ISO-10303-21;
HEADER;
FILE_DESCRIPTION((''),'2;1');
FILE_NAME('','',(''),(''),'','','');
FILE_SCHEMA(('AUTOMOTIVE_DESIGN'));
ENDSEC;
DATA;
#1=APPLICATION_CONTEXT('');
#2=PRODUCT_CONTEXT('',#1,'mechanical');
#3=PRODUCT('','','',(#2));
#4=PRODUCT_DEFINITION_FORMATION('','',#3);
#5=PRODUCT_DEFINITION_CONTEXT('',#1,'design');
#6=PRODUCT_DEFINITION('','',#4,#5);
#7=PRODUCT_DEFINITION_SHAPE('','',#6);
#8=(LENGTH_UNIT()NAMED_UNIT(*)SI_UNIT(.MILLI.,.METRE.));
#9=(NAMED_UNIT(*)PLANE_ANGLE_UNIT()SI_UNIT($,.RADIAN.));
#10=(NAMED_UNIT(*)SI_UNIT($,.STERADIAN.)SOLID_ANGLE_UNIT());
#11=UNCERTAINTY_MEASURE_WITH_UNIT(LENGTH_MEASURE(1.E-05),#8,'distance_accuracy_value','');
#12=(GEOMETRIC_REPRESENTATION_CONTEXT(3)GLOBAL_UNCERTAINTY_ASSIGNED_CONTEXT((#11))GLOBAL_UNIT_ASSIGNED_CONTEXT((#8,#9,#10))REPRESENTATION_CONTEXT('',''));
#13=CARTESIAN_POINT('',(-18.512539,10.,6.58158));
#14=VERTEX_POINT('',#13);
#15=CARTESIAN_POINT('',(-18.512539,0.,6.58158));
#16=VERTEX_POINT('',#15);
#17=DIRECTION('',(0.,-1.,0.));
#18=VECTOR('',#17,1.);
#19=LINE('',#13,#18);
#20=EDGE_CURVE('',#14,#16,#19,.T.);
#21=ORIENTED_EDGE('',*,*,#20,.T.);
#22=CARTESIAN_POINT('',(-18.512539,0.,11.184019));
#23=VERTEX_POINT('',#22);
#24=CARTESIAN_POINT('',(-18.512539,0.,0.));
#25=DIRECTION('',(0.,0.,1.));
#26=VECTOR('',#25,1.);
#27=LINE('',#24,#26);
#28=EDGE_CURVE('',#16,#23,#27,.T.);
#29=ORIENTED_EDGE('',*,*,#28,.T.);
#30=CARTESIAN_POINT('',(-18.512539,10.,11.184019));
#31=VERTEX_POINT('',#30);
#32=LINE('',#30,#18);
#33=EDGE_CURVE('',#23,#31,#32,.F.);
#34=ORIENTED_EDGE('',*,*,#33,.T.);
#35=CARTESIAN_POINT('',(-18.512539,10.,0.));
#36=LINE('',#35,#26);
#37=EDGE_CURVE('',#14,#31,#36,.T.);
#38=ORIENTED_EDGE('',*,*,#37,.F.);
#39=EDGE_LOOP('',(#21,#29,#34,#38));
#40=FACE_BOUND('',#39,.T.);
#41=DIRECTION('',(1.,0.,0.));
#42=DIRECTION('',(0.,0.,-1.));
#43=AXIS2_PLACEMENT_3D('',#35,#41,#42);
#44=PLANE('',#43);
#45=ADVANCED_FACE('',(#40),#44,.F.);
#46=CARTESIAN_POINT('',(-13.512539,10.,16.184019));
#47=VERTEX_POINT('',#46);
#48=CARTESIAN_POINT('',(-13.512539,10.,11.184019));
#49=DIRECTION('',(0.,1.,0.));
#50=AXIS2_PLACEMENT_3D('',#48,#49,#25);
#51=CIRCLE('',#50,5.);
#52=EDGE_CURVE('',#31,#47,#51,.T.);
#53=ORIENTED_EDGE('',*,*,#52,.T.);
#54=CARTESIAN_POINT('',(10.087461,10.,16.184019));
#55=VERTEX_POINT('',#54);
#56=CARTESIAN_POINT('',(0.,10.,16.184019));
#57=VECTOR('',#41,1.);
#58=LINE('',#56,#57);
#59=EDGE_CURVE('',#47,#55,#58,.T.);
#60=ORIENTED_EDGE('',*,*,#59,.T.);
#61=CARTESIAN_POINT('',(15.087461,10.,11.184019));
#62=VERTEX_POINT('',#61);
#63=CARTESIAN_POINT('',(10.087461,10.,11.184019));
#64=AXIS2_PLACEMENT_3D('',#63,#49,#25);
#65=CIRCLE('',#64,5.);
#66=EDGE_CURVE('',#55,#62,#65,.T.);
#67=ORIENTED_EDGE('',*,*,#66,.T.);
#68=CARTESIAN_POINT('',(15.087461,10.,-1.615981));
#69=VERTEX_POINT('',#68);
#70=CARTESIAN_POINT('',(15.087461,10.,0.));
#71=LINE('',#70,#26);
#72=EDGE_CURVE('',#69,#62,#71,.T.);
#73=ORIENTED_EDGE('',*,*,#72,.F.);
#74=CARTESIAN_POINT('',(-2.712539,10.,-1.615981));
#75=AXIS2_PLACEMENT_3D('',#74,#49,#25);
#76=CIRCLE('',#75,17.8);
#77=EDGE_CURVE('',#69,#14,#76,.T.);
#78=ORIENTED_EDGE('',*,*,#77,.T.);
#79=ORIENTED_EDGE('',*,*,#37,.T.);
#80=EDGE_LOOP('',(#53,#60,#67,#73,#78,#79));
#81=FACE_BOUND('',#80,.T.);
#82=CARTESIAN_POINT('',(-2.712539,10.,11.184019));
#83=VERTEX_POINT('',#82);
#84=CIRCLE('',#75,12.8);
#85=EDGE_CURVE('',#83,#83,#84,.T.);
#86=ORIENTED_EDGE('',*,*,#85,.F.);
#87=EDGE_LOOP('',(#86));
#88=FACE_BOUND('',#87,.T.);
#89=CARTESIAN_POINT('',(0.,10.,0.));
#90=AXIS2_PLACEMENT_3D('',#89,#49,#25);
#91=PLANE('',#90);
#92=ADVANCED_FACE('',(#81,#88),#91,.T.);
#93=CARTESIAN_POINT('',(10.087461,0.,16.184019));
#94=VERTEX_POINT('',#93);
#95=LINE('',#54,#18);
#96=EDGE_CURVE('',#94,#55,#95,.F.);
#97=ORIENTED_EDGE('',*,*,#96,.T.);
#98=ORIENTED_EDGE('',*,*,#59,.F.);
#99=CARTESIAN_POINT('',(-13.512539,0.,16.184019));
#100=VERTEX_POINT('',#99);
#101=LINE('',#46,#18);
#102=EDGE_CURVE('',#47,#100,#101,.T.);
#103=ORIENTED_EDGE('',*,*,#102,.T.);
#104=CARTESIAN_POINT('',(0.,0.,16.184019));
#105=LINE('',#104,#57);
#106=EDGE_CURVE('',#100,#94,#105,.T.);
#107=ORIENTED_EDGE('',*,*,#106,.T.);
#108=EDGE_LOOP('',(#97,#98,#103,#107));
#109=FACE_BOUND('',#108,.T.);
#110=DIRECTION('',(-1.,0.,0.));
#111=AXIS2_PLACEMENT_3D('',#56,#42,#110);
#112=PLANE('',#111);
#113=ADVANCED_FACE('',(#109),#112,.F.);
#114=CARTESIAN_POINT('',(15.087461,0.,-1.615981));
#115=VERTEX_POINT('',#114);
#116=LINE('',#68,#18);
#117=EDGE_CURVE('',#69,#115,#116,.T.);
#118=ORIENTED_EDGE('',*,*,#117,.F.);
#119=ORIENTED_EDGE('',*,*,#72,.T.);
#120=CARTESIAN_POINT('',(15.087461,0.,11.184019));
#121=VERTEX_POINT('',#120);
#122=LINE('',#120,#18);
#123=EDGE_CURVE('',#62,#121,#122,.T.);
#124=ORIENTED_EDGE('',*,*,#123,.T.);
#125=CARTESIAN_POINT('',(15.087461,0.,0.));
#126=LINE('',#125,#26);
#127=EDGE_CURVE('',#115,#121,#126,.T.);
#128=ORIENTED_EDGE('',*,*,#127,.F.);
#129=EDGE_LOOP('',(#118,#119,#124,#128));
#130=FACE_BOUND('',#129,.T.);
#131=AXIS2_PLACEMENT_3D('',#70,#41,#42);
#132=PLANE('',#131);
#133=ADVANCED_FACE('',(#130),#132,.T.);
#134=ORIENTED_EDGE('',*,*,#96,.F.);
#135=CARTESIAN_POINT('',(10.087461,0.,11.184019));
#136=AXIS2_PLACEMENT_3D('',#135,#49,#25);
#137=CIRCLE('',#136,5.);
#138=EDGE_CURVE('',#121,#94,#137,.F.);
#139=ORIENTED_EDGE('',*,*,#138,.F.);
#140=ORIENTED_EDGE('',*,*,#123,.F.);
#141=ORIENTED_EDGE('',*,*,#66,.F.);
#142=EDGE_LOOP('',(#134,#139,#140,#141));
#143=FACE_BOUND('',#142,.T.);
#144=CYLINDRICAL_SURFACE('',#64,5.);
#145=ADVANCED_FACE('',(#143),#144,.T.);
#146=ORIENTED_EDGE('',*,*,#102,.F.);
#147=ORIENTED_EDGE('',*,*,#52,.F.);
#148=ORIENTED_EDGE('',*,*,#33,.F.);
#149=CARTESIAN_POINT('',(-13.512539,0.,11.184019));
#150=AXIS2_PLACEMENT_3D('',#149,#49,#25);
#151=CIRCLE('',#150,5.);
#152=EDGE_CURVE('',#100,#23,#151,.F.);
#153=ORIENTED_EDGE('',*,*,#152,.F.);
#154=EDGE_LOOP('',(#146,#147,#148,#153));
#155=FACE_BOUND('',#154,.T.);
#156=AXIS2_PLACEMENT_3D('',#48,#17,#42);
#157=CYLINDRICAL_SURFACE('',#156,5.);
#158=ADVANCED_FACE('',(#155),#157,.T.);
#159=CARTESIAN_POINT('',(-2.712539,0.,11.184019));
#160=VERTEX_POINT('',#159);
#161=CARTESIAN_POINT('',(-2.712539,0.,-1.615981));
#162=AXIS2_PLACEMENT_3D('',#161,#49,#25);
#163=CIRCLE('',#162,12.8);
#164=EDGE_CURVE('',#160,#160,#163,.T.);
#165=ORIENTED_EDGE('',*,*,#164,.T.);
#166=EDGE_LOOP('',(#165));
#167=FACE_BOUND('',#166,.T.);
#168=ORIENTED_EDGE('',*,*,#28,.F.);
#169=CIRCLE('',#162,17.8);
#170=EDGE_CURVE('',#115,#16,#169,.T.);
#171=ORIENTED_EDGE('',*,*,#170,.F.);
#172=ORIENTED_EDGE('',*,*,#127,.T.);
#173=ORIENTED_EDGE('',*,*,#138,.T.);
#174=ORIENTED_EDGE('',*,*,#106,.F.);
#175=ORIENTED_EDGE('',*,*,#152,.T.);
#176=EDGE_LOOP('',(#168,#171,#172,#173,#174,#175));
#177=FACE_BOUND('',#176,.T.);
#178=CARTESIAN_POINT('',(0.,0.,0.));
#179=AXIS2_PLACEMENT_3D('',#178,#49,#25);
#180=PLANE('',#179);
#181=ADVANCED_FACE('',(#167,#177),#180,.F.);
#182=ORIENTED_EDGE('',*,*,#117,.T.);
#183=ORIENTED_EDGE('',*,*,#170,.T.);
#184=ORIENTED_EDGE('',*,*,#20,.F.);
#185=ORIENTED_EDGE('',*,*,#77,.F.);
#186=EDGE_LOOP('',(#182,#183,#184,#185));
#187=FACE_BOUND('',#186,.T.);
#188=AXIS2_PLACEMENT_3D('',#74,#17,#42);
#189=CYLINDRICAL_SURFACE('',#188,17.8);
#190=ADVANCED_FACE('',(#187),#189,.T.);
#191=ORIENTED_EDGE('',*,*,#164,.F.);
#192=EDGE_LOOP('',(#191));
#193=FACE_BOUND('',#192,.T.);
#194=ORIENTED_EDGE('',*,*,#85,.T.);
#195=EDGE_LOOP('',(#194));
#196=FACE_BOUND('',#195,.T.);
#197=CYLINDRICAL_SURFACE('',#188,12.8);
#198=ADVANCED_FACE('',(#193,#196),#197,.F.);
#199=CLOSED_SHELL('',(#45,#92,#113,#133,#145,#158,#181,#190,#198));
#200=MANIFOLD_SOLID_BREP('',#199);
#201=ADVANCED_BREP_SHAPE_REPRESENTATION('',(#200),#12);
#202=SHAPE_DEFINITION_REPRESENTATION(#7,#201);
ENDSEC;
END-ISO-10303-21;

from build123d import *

# Parameters (mm, degrees)
SKETCH1_R           = 12.8
BOSS_EXTRUDE2_DEPTH = 10
FILLET1_R           = 5


with BuildPart() as part:
    # Sketch1 → Boss-Extrude2 (new body)
    with BuildSketch(Plane(origin=(0, 0, 0), x_dir=(1, 0, 0), z_dir=(0, 1, 0))):
        with BuildLine():
            Line((15.087461292, -16.184019493), (15.087461292, 1.615980507))
            ThreePointArc((15.087461292, 1.615980507), (-6.93154333, 18.908753564), (-18.512538708, -6.581580106))
            Line((-18.512538708, -6.581580106), (-18.512538708, -16.184019493))
            Line((-18.512538708, -16.184019493), (15.087461292, -16.184019493))
        make_face()
        with Locations(Location((-2.712538708, 1.615980507, 0), (0, 0, 270))):
            Circle(SKETCH1_R, mode=Mode.SUBTRACT)
    extrude(amount=BOSS_EXTRUDE2_DEPTH)

    # Fillet1
    fillet1_edges = [part.edges().sort_by_distance(p)[0] for p in [
        (15.087461292, 5, 16.184019493),
        (-18.512538708, 5, 16.184019493),
    ]]
    fillet(fillet1_edges, radius=FILLET1_R)


solid = part.part
